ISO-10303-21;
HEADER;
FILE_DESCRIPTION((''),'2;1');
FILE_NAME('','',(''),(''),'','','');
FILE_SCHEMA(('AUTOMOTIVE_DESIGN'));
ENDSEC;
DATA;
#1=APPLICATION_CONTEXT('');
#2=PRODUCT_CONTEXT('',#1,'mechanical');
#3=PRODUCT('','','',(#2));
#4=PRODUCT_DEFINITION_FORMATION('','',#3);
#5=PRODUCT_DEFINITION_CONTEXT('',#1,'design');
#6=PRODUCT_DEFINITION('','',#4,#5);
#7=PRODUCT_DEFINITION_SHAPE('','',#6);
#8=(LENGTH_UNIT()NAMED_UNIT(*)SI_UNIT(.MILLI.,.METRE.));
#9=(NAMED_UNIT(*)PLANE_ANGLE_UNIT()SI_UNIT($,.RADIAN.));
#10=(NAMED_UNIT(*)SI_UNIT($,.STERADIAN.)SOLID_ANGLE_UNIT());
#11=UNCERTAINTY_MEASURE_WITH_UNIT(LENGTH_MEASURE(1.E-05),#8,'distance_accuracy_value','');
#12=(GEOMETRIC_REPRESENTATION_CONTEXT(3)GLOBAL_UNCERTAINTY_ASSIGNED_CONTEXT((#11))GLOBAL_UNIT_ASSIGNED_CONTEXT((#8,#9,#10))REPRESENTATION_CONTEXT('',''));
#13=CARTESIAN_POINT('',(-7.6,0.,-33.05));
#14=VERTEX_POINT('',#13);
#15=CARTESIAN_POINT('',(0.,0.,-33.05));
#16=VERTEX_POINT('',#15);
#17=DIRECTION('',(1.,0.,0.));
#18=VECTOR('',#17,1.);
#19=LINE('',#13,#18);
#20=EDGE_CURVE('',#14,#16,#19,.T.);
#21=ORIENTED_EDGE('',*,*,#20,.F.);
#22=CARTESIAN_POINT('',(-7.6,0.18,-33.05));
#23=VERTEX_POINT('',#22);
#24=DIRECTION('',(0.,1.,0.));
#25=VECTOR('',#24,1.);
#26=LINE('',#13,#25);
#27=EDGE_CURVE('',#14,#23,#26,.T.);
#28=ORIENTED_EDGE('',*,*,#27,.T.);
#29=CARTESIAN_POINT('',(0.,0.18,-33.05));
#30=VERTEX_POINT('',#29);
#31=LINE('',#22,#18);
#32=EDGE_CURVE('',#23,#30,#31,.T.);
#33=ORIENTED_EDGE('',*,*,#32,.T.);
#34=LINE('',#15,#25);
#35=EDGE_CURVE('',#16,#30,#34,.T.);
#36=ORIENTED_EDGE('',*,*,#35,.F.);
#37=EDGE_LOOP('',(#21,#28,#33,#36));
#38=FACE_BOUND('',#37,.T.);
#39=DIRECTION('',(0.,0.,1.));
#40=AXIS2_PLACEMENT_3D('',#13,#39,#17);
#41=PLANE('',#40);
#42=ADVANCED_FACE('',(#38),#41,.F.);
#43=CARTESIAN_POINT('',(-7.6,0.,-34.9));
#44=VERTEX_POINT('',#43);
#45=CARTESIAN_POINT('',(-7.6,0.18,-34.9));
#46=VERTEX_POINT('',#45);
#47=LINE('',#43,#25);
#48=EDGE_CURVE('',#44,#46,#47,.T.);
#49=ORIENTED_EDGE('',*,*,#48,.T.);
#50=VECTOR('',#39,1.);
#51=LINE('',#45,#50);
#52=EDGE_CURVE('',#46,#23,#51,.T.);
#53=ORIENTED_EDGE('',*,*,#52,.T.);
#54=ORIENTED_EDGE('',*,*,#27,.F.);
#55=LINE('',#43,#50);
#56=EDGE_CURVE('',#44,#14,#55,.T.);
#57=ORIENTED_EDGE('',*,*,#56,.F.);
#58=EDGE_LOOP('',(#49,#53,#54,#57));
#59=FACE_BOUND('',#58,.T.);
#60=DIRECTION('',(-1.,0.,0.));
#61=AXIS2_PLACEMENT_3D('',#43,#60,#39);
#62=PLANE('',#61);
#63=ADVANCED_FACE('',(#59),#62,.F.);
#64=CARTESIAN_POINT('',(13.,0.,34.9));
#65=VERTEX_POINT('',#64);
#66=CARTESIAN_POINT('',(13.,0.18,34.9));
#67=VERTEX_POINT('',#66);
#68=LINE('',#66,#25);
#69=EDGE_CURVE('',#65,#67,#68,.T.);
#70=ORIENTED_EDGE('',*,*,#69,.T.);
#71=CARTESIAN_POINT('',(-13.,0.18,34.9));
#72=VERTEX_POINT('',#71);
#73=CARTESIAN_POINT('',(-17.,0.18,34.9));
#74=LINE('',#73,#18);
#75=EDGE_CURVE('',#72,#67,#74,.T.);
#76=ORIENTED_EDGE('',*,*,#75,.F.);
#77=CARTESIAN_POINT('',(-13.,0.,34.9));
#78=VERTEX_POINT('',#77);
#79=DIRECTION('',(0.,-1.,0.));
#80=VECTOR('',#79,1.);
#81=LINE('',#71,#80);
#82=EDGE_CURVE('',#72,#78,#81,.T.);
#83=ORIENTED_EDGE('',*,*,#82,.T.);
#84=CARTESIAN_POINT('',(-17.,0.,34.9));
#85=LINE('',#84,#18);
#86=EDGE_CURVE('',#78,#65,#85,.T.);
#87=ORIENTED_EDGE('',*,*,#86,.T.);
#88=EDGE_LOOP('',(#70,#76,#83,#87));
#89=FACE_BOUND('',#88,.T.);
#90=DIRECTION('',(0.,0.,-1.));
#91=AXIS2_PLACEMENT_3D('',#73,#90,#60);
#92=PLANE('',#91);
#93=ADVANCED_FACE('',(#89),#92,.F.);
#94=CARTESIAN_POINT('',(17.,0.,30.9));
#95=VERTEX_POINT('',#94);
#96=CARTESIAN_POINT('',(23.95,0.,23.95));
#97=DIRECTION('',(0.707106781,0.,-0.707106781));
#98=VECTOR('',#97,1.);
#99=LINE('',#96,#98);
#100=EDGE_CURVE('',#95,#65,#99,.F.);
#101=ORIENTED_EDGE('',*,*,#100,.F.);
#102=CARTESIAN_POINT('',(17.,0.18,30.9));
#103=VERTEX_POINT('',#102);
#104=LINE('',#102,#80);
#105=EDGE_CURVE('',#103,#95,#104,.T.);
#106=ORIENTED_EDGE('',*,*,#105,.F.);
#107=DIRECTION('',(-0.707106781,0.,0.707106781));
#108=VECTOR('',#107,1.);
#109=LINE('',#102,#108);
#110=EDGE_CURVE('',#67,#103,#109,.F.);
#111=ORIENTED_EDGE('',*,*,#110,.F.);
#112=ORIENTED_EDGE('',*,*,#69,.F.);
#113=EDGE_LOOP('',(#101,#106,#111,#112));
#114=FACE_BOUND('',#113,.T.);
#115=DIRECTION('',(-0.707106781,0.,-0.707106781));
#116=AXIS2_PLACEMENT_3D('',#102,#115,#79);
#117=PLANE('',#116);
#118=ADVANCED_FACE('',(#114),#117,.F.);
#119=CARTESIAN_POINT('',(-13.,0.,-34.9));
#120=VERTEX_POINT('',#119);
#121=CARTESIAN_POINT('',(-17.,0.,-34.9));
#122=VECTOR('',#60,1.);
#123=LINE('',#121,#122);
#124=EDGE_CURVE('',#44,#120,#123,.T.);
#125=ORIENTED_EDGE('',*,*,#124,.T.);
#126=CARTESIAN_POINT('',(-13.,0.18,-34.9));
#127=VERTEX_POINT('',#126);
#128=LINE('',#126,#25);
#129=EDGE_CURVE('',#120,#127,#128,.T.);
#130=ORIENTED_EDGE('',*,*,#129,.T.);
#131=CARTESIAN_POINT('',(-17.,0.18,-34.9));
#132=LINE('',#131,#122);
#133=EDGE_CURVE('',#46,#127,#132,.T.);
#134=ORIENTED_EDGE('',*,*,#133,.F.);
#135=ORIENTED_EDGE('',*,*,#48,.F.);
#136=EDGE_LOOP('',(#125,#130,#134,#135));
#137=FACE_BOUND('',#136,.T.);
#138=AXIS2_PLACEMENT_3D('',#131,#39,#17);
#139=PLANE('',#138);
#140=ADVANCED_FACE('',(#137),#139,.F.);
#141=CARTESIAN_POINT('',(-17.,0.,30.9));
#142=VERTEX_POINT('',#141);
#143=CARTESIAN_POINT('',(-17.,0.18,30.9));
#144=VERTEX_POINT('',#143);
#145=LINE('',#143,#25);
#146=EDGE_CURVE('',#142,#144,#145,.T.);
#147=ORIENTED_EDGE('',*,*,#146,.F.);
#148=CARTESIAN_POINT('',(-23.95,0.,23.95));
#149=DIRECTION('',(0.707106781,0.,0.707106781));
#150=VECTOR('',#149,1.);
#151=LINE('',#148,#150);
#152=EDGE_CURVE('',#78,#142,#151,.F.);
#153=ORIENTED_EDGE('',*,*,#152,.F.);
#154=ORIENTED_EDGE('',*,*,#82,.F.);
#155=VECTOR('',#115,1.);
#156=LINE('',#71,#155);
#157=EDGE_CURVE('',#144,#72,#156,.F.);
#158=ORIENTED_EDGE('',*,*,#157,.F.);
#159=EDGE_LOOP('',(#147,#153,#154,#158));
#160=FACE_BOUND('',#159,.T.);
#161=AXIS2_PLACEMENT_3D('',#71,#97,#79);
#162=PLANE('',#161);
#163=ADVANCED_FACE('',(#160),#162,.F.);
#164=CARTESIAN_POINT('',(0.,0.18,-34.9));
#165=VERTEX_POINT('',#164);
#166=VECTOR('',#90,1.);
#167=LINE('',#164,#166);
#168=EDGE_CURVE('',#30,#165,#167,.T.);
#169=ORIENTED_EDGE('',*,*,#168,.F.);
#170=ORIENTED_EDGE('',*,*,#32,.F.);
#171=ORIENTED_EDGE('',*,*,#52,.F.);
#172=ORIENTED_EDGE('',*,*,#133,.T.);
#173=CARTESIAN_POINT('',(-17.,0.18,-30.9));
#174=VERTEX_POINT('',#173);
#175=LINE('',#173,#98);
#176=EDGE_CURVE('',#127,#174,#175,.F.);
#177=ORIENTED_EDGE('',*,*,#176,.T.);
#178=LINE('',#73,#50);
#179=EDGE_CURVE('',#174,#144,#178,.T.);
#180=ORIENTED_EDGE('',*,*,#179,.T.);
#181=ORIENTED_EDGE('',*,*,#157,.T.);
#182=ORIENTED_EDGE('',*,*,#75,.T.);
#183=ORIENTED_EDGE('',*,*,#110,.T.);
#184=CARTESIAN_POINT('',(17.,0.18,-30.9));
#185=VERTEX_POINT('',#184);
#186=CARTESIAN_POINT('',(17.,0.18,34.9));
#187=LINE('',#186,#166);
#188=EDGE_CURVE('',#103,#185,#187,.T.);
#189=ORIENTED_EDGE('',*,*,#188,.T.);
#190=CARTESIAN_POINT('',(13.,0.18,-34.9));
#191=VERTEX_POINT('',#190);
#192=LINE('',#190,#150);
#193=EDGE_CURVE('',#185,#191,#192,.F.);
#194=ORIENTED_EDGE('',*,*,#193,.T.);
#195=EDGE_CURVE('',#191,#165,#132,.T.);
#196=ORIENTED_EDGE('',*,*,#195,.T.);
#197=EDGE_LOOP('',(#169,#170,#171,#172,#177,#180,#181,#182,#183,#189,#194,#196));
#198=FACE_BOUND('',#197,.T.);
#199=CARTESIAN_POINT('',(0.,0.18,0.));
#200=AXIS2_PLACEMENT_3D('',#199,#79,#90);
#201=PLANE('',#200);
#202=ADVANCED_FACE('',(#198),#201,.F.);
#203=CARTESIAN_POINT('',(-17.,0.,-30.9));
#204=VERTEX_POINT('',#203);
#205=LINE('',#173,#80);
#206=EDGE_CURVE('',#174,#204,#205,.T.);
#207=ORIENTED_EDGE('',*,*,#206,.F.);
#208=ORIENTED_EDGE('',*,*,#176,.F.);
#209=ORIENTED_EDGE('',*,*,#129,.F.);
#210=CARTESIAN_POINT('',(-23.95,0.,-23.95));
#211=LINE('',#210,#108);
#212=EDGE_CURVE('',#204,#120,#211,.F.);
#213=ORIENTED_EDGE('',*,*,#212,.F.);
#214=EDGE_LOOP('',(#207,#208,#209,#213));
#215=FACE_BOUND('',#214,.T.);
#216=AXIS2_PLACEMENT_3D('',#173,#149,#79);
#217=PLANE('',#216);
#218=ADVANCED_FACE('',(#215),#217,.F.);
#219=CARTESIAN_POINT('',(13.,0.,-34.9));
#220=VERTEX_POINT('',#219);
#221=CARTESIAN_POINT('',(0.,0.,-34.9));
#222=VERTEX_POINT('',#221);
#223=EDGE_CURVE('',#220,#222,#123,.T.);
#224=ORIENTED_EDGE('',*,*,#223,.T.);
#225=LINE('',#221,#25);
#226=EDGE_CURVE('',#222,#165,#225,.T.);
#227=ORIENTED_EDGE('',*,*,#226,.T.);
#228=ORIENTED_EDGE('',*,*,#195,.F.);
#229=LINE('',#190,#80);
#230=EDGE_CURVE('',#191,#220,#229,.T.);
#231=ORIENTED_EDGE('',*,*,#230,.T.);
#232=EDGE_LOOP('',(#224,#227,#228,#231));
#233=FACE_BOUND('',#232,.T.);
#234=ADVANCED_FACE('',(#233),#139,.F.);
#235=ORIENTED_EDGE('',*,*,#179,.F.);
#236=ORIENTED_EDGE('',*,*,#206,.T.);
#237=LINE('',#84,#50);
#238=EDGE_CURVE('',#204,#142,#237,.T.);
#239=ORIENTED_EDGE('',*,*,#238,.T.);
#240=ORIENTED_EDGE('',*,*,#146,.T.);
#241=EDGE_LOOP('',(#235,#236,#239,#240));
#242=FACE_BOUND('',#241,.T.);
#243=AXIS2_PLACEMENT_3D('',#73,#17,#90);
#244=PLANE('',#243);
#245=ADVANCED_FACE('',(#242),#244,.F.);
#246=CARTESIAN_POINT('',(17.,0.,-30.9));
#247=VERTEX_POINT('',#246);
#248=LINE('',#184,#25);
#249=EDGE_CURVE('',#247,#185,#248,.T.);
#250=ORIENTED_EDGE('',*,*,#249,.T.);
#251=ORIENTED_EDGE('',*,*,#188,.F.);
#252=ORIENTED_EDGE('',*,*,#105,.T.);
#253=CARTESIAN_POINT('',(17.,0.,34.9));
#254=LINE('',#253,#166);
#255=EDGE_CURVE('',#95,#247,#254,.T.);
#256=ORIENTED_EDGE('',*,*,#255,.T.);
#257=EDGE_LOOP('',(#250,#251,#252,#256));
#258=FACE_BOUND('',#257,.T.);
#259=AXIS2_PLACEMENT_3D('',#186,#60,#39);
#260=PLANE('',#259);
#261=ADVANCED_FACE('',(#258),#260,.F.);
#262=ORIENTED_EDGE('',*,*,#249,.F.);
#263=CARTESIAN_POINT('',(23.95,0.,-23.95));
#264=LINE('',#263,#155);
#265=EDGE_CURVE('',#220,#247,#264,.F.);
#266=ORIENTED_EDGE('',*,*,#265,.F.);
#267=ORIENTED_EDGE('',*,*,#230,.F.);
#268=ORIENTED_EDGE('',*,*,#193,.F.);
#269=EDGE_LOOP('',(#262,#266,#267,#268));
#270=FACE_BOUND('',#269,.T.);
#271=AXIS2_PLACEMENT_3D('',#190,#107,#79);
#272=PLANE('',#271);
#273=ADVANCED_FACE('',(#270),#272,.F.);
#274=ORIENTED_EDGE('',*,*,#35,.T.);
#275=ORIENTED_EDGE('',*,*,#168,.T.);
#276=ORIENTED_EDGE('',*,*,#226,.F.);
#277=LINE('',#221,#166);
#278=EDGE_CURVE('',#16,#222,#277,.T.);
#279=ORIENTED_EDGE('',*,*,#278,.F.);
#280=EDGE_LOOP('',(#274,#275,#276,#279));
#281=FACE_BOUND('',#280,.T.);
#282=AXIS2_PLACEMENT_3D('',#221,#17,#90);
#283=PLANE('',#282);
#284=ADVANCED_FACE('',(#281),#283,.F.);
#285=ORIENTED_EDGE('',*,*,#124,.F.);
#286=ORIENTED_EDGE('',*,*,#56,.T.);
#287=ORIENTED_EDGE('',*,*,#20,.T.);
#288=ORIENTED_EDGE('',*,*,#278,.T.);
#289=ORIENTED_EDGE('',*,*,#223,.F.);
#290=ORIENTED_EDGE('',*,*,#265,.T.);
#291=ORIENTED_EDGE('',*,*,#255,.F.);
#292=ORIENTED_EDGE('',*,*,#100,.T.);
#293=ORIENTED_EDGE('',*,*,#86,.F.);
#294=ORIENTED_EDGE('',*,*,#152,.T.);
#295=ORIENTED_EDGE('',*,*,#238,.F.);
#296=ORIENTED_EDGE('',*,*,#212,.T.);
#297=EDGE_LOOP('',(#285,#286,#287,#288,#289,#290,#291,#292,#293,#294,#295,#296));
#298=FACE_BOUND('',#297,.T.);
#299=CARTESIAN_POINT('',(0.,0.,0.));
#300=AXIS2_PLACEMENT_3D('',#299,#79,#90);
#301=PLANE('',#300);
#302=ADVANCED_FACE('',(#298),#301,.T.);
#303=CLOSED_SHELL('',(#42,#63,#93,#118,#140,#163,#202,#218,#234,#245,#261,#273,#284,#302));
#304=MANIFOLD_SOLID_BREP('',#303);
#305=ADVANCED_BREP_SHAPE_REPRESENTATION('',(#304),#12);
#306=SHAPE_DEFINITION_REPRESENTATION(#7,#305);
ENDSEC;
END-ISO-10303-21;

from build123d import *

# Parameters (mm, degrees)
SKETCH1_W           = 34
SKETCH1_H           = 69.8
BOSS_EXTRUDE1_DEPTH = 0.18
CHAMFER1_SIZE       = 4
SKETCH2_W           = 7.6
SKETCH2_H           = 1.85
CUT_EXTRUDE1_DEPTH  = 1.18


with BuildPart() as part:
    # Sketch1 → Boss-Extrude1 (new body)
    with BuildSketch(Plane(origin=(0, 0, 0), x_dir=(1, 0, 0), z_dir=(0, 1, 0))):
        Rectangle(SKETCH1_W, SKETCH1_H)
    extrude(amount=BOSS_EXTRUDE1_DEPTH)

    # Chamfer1
    chamfer1_edges = [part.edges().sort_by_distance(p)[0] for p in [
        (17, 0.09, 34.9),
        (-17, 0.09, 34.9),
        (-17, 0.09, -34.9),
        (17, 0.09, -34.9),
    ]]
    chamfer(chamfer1_edges, length=CHAMFER1_SIZE)

    # Sketch2 → Cut-Extrude1 (cut, through all)
    with BuildSketch(Plane(origin=(0, 0.18, 0), x_dir=(1, 0, 0), z_dir=(0, 1, 0))):
        with Locations((-3.8, 33.975)):
            Rectangle(SKETCH2_W, SKETCH2_H)
    extrude(amount=-CUT_EXTRUDE1_DEPTH, mode=Mode.SUBTRACT)


solid = part.part
